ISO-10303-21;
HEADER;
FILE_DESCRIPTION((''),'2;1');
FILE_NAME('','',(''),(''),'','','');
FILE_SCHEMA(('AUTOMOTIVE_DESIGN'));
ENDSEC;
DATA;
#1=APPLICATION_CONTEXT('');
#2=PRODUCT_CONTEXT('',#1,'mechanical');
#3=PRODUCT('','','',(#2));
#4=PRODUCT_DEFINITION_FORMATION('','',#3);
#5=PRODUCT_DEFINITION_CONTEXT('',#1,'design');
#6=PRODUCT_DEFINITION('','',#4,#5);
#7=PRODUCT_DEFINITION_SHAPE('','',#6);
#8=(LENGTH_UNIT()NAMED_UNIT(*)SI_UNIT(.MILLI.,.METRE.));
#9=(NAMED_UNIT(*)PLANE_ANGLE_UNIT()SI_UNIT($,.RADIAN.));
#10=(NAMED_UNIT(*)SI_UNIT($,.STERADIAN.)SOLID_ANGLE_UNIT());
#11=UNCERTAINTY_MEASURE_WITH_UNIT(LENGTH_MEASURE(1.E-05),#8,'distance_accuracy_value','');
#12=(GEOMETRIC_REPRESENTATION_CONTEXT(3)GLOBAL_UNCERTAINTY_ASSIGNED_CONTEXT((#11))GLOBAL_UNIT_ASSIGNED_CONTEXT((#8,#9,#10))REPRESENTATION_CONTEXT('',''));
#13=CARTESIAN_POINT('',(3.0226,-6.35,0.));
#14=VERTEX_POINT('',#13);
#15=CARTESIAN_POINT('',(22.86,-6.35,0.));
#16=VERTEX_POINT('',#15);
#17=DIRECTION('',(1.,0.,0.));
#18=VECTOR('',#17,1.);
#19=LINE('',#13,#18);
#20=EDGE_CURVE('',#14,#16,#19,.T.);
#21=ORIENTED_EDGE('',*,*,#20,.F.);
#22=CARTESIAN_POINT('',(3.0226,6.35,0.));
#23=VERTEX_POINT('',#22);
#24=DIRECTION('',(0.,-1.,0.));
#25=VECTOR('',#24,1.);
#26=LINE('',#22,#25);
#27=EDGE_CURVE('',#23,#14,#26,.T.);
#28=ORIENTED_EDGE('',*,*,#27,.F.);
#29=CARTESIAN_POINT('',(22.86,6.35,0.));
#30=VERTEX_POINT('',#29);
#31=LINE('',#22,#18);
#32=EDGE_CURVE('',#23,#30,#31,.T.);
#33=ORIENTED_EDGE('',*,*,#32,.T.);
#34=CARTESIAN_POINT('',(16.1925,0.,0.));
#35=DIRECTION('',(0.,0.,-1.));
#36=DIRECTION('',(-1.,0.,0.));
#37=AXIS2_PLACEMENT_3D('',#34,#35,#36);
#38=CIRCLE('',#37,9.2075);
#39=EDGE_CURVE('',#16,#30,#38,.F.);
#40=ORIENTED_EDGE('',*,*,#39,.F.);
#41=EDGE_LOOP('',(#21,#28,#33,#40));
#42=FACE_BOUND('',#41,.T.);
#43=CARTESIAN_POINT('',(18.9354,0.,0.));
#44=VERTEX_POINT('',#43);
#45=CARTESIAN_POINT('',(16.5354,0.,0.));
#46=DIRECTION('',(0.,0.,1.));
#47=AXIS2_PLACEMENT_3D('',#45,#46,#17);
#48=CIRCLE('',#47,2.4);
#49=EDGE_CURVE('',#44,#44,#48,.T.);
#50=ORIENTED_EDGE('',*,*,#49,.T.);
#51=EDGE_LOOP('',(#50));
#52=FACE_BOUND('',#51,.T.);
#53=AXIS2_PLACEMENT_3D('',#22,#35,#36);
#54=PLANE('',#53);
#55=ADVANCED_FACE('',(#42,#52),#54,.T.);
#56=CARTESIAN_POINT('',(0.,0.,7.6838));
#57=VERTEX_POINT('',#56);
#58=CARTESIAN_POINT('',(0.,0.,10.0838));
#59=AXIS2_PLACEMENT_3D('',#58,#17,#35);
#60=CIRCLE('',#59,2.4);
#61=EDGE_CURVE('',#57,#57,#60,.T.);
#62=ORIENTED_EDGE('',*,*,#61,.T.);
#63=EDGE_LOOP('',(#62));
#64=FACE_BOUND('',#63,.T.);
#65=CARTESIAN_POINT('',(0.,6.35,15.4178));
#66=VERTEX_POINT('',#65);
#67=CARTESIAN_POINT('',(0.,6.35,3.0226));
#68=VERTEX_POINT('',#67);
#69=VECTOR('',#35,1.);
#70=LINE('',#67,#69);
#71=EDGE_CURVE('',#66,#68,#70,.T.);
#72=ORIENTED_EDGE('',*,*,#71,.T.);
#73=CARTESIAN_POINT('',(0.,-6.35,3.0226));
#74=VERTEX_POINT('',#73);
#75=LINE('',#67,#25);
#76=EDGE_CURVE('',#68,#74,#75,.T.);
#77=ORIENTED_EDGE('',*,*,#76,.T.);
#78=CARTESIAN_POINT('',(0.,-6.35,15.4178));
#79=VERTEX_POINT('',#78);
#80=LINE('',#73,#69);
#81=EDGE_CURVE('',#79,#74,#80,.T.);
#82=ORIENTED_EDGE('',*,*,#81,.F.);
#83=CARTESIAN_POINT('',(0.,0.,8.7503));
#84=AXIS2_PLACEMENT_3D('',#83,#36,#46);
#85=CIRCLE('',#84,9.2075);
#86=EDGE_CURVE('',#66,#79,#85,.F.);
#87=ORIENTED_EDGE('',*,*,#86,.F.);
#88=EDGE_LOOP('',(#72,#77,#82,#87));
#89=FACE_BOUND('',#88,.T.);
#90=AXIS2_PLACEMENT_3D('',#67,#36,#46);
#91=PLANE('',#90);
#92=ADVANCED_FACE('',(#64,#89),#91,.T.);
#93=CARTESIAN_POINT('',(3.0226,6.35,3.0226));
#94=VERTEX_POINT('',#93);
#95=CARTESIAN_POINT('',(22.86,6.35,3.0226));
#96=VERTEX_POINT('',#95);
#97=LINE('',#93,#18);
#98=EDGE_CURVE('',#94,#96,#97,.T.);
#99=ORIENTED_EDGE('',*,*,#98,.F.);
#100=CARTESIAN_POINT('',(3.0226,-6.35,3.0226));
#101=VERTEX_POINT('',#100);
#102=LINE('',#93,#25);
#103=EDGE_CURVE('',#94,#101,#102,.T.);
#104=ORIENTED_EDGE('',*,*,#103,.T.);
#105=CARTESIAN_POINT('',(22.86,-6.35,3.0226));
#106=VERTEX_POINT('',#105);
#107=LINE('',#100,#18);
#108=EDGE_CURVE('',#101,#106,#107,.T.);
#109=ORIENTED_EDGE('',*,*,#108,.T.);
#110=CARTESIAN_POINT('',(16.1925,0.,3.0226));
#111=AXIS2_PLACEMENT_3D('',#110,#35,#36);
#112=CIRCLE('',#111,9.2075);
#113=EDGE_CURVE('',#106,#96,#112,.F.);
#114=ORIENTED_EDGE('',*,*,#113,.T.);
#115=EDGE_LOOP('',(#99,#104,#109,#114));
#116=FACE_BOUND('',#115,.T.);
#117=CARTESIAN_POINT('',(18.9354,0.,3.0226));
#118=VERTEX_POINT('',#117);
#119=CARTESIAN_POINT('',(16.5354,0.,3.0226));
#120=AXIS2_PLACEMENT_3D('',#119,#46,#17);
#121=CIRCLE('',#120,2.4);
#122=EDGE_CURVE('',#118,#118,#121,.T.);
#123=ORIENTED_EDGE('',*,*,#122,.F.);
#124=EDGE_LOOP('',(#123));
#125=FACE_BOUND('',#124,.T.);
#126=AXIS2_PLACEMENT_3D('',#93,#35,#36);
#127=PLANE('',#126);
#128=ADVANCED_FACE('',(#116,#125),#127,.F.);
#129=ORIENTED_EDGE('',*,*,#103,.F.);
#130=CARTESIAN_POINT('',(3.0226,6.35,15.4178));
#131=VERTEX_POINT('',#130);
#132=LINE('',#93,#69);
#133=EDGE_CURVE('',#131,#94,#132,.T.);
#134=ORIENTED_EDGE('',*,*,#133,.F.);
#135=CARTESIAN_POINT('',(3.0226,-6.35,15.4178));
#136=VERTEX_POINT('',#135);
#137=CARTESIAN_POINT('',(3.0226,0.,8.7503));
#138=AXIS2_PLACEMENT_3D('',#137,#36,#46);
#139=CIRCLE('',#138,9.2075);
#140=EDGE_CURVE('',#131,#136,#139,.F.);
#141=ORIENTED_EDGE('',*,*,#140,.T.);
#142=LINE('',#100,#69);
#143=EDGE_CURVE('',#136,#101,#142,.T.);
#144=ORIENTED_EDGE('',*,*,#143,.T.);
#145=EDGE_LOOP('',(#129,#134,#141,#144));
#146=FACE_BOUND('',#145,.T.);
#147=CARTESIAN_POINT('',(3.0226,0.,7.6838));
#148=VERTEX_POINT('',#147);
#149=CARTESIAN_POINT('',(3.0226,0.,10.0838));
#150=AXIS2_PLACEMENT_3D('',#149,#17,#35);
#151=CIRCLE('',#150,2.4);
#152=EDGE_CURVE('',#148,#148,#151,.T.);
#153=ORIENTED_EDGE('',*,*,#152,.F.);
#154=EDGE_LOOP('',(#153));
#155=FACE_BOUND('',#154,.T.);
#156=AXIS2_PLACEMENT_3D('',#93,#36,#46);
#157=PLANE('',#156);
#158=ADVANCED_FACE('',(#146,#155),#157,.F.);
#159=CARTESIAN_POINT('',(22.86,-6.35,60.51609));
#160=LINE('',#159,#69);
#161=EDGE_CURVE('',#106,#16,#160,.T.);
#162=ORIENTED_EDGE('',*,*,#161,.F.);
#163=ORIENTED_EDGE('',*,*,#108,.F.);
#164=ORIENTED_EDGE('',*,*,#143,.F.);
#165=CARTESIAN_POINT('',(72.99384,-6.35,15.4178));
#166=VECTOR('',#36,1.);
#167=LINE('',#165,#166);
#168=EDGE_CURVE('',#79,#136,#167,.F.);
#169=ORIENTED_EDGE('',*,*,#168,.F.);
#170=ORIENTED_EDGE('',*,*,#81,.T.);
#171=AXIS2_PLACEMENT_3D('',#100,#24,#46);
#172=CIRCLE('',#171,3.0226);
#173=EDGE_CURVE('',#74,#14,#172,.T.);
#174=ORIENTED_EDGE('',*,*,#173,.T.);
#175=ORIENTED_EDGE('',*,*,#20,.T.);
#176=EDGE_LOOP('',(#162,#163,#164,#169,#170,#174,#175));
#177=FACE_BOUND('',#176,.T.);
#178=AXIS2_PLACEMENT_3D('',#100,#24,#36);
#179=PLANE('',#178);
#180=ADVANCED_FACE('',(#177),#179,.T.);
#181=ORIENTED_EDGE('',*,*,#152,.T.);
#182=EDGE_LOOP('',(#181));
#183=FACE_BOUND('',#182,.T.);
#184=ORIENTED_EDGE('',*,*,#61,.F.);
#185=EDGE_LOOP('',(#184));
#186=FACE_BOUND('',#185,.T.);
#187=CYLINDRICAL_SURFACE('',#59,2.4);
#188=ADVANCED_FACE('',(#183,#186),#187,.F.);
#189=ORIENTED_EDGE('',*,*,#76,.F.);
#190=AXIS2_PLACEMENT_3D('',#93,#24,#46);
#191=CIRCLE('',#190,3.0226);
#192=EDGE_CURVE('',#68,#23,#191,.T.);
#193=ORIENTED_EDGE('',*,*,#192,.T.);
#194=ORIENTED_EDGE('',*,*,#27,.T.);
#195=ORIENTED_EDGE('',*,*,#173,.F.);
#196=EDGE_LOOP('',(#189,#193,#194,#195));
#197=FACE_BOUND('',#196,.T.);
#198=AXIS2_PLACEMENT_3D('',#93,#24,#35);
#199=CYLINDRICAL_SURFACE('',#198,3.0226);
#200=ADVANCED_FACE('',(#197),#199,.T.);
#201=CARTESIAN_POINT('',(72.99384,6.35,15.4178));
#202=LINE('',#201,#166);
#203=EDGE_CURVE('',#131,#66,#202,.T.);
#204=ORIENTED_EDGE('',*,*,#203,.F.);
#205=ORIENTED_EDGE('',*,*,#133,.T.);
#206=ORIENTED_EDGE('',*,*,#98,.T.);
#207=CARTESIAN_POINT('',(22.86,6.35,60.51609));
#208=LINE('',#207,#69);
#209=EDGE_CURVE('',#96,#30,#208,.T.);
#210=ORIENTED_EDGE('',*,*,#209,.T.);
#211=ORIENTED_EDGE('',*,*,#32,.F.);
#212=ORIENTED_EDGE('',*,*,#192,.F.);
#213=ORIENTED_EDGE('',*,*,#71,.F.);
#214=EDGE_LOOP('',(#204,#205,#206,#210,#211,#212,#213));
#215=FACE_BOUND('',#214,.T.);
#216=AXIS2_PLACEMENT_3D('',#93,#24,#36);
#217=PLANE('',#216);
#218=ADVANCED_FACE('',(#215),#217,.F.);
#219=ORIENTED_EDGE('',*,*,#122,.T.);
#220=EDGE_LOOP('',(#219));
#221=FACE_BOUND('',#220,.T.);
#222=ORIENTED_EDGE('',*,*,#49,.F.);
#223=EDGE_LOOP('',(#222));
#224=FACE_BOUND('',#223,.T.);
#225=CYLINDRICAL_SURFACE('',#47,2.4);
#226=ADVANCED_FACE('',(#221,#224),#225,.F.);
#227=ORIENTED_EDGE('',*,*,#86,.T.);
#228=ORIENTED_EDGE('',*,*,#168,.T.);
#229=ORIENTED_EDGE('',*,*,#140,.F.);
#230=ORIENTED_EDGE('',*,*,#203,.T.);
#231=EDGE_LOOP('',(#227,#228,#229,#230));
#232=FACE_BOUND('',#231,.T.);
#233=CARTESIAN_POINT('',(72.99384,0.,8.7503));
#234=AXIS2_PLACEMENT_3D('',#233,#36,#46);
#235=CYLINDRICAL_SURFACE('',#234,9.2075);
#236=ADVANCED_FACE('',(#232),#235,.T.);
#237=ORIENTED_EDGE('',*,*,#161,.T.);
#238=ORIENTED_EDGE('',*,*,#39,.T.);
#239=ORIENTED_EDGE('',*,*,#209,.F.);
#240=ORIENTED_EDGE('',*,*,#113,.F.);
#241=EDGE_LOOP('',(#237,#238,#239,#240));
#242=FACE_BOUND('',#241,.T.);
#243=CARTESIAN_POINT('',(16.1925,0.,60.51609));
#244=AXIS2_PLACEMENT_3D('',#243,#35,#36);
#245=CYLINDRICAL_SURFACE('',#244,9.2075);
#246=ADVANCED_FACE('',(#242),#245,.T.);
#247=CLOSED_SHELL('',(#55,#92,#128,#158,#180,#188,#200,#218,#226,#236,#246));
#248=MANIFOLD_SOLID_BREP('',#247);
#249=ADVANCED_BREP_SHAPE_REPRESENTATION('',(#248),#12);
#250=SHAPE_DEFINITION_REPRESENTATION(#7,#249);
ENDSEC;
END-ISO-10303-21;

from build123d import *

# Parameters (mm, degrees)
EXTRUDE_THIN1_DEPTH     = 6.35
CUT_EXTRUDE1_DEPTH      = 23.3774
CUT_EXTRUDE1_DEPTH_BACK = 4.0226
SKETCH7_R               = 2.4
CUT_EXTRUDE3_DEPTH      = 4.0226
CUT_EXTRUDE2_DEPTH      = 15.9352
CUT_EXTRUDE2_DEPTH_BACK = 4.0226
SKETCH8_R               = 2.4
CUT_EXTRUDE4_DEPTH      = 4.0226


with BuildPart() as part:
    # Sketch4 → Extrude-Thin1 (new body, symmetric)
    with BuildSketch(Plane(origin=(0, 0, 0), x_dir=(1, 0, 0), z_dir=(0, 1, 0))):
        with BuildLine():
            Line((25.4, 0), (3.0226, 0))
            ThreePointArc((3.0226, 0), (0.885299043, -0.885299043), (0, -3.0226))
            Line((0, -3.0226), (0, -17.9578))
            Line((0, -17.9578), (3.0226, -17.9578))
            Line((3.0226, -17.9578), (3.0226, -3.0226))
            Line((3.0226, -3.0226), (25.4, -3.0226))
            Line((25.4, -3.0226), (25.4, 0))
        make_face()
    extrude(amount=EXTRUDE_THIN1_DEPTH, both=True)

    # Sketch5 → Cut-Extrude1 (cut, two sides)
    with BuildSketch(Plane(origin=(3.0226, 0, 0), x_dir=(0, 0, -1), z_dir=(1, 0, 0))) as cut_extrude1_sk:
        with BuildLine():
            Line((19.030404457, 42.52061468), (-15.4178, 6.35))
            ThreePointArc((-15.4178, 6.35), (-17.9578, 0), (-15.4178, -6.35))
            Line((-15.4178, -6.35), (19.030404457, -42.52061468))
            Line((19.030404457, -42.52061468), (-80.869388468, -42.52061468))
            Line((-80.869388468, -42.52061468), (-80.869388468, 42.52061468))
            Line((-80.869388468, 42.52061468), (19.030404457, 42.52061468))
        make_face()
    extrude(amount=CUT_EXTRUDE1_DEPTH, mode=Mode.SUBTRACT)
    extrude(cut_extrude1_sk.sketch, amount=-CUT_EXTRUDE1_DEPTH_BACK, mode=Mode.SUBTRACT)

    # Sketch7 → Cut-Extrude3 (cut, through all)
    with BuildSketch(Plane(origin=(3.0226, 0, 0), x_dir=(0, 0, -1), z_dir=(1, 0, 0))):
        with Locations((-10.0838, 0)):
            Circle(SKETCH7_R)
    extrude(amount=-CUT_EXTRUDE3_DEPTH, mode=Mode.SUBTRACT)

    # Sketch6 → Cut-Extrude2 (cut, two sides)
    with BuildSketch(Plane.XY.offset(3.0226)) as cut_extrude2_sk:
        with BuildLine():
            Line((-20.10675939, -51.46509736), (22.86, -6.35))
            ThreePointArc((22.86, -6.35), (25.4, 0), (22.86, 6.35))
            Line((22.86, 6.35), (-20.10675939, 51.46509736))
            Line((-20.10675939, 51.46509736), (104.496842842, 51.46509736))
            Line((104.496842842, 51.46509736), (104.496842842, -51.46509736))
            Line((104.496842842, -51.46509736), (-20.10675939, -51.46509736))
        make_face()
    extrude(amount=CUT_EXTRUDE2_DEPTH, mode=Mode.SUBTRACT)
    extrude(cut_extrude2_sk.sketch, amount=-CUT_EXTRUDE2_DEPTH_BACK, mode=Mode.SUBTRACT)

    # Sketch8 → Cut-Extrude4 (cut, through all)
    with BuildSketch(Plane.XY.offset(3.0226)):
        with Locations((16.5354, 0)):
            Circle(SKETCH8_R)
    extrude(amount=-CUT_EXTRUDE4_DEPTH, mode=Mode.SUBTRACT)


solid = part.part
